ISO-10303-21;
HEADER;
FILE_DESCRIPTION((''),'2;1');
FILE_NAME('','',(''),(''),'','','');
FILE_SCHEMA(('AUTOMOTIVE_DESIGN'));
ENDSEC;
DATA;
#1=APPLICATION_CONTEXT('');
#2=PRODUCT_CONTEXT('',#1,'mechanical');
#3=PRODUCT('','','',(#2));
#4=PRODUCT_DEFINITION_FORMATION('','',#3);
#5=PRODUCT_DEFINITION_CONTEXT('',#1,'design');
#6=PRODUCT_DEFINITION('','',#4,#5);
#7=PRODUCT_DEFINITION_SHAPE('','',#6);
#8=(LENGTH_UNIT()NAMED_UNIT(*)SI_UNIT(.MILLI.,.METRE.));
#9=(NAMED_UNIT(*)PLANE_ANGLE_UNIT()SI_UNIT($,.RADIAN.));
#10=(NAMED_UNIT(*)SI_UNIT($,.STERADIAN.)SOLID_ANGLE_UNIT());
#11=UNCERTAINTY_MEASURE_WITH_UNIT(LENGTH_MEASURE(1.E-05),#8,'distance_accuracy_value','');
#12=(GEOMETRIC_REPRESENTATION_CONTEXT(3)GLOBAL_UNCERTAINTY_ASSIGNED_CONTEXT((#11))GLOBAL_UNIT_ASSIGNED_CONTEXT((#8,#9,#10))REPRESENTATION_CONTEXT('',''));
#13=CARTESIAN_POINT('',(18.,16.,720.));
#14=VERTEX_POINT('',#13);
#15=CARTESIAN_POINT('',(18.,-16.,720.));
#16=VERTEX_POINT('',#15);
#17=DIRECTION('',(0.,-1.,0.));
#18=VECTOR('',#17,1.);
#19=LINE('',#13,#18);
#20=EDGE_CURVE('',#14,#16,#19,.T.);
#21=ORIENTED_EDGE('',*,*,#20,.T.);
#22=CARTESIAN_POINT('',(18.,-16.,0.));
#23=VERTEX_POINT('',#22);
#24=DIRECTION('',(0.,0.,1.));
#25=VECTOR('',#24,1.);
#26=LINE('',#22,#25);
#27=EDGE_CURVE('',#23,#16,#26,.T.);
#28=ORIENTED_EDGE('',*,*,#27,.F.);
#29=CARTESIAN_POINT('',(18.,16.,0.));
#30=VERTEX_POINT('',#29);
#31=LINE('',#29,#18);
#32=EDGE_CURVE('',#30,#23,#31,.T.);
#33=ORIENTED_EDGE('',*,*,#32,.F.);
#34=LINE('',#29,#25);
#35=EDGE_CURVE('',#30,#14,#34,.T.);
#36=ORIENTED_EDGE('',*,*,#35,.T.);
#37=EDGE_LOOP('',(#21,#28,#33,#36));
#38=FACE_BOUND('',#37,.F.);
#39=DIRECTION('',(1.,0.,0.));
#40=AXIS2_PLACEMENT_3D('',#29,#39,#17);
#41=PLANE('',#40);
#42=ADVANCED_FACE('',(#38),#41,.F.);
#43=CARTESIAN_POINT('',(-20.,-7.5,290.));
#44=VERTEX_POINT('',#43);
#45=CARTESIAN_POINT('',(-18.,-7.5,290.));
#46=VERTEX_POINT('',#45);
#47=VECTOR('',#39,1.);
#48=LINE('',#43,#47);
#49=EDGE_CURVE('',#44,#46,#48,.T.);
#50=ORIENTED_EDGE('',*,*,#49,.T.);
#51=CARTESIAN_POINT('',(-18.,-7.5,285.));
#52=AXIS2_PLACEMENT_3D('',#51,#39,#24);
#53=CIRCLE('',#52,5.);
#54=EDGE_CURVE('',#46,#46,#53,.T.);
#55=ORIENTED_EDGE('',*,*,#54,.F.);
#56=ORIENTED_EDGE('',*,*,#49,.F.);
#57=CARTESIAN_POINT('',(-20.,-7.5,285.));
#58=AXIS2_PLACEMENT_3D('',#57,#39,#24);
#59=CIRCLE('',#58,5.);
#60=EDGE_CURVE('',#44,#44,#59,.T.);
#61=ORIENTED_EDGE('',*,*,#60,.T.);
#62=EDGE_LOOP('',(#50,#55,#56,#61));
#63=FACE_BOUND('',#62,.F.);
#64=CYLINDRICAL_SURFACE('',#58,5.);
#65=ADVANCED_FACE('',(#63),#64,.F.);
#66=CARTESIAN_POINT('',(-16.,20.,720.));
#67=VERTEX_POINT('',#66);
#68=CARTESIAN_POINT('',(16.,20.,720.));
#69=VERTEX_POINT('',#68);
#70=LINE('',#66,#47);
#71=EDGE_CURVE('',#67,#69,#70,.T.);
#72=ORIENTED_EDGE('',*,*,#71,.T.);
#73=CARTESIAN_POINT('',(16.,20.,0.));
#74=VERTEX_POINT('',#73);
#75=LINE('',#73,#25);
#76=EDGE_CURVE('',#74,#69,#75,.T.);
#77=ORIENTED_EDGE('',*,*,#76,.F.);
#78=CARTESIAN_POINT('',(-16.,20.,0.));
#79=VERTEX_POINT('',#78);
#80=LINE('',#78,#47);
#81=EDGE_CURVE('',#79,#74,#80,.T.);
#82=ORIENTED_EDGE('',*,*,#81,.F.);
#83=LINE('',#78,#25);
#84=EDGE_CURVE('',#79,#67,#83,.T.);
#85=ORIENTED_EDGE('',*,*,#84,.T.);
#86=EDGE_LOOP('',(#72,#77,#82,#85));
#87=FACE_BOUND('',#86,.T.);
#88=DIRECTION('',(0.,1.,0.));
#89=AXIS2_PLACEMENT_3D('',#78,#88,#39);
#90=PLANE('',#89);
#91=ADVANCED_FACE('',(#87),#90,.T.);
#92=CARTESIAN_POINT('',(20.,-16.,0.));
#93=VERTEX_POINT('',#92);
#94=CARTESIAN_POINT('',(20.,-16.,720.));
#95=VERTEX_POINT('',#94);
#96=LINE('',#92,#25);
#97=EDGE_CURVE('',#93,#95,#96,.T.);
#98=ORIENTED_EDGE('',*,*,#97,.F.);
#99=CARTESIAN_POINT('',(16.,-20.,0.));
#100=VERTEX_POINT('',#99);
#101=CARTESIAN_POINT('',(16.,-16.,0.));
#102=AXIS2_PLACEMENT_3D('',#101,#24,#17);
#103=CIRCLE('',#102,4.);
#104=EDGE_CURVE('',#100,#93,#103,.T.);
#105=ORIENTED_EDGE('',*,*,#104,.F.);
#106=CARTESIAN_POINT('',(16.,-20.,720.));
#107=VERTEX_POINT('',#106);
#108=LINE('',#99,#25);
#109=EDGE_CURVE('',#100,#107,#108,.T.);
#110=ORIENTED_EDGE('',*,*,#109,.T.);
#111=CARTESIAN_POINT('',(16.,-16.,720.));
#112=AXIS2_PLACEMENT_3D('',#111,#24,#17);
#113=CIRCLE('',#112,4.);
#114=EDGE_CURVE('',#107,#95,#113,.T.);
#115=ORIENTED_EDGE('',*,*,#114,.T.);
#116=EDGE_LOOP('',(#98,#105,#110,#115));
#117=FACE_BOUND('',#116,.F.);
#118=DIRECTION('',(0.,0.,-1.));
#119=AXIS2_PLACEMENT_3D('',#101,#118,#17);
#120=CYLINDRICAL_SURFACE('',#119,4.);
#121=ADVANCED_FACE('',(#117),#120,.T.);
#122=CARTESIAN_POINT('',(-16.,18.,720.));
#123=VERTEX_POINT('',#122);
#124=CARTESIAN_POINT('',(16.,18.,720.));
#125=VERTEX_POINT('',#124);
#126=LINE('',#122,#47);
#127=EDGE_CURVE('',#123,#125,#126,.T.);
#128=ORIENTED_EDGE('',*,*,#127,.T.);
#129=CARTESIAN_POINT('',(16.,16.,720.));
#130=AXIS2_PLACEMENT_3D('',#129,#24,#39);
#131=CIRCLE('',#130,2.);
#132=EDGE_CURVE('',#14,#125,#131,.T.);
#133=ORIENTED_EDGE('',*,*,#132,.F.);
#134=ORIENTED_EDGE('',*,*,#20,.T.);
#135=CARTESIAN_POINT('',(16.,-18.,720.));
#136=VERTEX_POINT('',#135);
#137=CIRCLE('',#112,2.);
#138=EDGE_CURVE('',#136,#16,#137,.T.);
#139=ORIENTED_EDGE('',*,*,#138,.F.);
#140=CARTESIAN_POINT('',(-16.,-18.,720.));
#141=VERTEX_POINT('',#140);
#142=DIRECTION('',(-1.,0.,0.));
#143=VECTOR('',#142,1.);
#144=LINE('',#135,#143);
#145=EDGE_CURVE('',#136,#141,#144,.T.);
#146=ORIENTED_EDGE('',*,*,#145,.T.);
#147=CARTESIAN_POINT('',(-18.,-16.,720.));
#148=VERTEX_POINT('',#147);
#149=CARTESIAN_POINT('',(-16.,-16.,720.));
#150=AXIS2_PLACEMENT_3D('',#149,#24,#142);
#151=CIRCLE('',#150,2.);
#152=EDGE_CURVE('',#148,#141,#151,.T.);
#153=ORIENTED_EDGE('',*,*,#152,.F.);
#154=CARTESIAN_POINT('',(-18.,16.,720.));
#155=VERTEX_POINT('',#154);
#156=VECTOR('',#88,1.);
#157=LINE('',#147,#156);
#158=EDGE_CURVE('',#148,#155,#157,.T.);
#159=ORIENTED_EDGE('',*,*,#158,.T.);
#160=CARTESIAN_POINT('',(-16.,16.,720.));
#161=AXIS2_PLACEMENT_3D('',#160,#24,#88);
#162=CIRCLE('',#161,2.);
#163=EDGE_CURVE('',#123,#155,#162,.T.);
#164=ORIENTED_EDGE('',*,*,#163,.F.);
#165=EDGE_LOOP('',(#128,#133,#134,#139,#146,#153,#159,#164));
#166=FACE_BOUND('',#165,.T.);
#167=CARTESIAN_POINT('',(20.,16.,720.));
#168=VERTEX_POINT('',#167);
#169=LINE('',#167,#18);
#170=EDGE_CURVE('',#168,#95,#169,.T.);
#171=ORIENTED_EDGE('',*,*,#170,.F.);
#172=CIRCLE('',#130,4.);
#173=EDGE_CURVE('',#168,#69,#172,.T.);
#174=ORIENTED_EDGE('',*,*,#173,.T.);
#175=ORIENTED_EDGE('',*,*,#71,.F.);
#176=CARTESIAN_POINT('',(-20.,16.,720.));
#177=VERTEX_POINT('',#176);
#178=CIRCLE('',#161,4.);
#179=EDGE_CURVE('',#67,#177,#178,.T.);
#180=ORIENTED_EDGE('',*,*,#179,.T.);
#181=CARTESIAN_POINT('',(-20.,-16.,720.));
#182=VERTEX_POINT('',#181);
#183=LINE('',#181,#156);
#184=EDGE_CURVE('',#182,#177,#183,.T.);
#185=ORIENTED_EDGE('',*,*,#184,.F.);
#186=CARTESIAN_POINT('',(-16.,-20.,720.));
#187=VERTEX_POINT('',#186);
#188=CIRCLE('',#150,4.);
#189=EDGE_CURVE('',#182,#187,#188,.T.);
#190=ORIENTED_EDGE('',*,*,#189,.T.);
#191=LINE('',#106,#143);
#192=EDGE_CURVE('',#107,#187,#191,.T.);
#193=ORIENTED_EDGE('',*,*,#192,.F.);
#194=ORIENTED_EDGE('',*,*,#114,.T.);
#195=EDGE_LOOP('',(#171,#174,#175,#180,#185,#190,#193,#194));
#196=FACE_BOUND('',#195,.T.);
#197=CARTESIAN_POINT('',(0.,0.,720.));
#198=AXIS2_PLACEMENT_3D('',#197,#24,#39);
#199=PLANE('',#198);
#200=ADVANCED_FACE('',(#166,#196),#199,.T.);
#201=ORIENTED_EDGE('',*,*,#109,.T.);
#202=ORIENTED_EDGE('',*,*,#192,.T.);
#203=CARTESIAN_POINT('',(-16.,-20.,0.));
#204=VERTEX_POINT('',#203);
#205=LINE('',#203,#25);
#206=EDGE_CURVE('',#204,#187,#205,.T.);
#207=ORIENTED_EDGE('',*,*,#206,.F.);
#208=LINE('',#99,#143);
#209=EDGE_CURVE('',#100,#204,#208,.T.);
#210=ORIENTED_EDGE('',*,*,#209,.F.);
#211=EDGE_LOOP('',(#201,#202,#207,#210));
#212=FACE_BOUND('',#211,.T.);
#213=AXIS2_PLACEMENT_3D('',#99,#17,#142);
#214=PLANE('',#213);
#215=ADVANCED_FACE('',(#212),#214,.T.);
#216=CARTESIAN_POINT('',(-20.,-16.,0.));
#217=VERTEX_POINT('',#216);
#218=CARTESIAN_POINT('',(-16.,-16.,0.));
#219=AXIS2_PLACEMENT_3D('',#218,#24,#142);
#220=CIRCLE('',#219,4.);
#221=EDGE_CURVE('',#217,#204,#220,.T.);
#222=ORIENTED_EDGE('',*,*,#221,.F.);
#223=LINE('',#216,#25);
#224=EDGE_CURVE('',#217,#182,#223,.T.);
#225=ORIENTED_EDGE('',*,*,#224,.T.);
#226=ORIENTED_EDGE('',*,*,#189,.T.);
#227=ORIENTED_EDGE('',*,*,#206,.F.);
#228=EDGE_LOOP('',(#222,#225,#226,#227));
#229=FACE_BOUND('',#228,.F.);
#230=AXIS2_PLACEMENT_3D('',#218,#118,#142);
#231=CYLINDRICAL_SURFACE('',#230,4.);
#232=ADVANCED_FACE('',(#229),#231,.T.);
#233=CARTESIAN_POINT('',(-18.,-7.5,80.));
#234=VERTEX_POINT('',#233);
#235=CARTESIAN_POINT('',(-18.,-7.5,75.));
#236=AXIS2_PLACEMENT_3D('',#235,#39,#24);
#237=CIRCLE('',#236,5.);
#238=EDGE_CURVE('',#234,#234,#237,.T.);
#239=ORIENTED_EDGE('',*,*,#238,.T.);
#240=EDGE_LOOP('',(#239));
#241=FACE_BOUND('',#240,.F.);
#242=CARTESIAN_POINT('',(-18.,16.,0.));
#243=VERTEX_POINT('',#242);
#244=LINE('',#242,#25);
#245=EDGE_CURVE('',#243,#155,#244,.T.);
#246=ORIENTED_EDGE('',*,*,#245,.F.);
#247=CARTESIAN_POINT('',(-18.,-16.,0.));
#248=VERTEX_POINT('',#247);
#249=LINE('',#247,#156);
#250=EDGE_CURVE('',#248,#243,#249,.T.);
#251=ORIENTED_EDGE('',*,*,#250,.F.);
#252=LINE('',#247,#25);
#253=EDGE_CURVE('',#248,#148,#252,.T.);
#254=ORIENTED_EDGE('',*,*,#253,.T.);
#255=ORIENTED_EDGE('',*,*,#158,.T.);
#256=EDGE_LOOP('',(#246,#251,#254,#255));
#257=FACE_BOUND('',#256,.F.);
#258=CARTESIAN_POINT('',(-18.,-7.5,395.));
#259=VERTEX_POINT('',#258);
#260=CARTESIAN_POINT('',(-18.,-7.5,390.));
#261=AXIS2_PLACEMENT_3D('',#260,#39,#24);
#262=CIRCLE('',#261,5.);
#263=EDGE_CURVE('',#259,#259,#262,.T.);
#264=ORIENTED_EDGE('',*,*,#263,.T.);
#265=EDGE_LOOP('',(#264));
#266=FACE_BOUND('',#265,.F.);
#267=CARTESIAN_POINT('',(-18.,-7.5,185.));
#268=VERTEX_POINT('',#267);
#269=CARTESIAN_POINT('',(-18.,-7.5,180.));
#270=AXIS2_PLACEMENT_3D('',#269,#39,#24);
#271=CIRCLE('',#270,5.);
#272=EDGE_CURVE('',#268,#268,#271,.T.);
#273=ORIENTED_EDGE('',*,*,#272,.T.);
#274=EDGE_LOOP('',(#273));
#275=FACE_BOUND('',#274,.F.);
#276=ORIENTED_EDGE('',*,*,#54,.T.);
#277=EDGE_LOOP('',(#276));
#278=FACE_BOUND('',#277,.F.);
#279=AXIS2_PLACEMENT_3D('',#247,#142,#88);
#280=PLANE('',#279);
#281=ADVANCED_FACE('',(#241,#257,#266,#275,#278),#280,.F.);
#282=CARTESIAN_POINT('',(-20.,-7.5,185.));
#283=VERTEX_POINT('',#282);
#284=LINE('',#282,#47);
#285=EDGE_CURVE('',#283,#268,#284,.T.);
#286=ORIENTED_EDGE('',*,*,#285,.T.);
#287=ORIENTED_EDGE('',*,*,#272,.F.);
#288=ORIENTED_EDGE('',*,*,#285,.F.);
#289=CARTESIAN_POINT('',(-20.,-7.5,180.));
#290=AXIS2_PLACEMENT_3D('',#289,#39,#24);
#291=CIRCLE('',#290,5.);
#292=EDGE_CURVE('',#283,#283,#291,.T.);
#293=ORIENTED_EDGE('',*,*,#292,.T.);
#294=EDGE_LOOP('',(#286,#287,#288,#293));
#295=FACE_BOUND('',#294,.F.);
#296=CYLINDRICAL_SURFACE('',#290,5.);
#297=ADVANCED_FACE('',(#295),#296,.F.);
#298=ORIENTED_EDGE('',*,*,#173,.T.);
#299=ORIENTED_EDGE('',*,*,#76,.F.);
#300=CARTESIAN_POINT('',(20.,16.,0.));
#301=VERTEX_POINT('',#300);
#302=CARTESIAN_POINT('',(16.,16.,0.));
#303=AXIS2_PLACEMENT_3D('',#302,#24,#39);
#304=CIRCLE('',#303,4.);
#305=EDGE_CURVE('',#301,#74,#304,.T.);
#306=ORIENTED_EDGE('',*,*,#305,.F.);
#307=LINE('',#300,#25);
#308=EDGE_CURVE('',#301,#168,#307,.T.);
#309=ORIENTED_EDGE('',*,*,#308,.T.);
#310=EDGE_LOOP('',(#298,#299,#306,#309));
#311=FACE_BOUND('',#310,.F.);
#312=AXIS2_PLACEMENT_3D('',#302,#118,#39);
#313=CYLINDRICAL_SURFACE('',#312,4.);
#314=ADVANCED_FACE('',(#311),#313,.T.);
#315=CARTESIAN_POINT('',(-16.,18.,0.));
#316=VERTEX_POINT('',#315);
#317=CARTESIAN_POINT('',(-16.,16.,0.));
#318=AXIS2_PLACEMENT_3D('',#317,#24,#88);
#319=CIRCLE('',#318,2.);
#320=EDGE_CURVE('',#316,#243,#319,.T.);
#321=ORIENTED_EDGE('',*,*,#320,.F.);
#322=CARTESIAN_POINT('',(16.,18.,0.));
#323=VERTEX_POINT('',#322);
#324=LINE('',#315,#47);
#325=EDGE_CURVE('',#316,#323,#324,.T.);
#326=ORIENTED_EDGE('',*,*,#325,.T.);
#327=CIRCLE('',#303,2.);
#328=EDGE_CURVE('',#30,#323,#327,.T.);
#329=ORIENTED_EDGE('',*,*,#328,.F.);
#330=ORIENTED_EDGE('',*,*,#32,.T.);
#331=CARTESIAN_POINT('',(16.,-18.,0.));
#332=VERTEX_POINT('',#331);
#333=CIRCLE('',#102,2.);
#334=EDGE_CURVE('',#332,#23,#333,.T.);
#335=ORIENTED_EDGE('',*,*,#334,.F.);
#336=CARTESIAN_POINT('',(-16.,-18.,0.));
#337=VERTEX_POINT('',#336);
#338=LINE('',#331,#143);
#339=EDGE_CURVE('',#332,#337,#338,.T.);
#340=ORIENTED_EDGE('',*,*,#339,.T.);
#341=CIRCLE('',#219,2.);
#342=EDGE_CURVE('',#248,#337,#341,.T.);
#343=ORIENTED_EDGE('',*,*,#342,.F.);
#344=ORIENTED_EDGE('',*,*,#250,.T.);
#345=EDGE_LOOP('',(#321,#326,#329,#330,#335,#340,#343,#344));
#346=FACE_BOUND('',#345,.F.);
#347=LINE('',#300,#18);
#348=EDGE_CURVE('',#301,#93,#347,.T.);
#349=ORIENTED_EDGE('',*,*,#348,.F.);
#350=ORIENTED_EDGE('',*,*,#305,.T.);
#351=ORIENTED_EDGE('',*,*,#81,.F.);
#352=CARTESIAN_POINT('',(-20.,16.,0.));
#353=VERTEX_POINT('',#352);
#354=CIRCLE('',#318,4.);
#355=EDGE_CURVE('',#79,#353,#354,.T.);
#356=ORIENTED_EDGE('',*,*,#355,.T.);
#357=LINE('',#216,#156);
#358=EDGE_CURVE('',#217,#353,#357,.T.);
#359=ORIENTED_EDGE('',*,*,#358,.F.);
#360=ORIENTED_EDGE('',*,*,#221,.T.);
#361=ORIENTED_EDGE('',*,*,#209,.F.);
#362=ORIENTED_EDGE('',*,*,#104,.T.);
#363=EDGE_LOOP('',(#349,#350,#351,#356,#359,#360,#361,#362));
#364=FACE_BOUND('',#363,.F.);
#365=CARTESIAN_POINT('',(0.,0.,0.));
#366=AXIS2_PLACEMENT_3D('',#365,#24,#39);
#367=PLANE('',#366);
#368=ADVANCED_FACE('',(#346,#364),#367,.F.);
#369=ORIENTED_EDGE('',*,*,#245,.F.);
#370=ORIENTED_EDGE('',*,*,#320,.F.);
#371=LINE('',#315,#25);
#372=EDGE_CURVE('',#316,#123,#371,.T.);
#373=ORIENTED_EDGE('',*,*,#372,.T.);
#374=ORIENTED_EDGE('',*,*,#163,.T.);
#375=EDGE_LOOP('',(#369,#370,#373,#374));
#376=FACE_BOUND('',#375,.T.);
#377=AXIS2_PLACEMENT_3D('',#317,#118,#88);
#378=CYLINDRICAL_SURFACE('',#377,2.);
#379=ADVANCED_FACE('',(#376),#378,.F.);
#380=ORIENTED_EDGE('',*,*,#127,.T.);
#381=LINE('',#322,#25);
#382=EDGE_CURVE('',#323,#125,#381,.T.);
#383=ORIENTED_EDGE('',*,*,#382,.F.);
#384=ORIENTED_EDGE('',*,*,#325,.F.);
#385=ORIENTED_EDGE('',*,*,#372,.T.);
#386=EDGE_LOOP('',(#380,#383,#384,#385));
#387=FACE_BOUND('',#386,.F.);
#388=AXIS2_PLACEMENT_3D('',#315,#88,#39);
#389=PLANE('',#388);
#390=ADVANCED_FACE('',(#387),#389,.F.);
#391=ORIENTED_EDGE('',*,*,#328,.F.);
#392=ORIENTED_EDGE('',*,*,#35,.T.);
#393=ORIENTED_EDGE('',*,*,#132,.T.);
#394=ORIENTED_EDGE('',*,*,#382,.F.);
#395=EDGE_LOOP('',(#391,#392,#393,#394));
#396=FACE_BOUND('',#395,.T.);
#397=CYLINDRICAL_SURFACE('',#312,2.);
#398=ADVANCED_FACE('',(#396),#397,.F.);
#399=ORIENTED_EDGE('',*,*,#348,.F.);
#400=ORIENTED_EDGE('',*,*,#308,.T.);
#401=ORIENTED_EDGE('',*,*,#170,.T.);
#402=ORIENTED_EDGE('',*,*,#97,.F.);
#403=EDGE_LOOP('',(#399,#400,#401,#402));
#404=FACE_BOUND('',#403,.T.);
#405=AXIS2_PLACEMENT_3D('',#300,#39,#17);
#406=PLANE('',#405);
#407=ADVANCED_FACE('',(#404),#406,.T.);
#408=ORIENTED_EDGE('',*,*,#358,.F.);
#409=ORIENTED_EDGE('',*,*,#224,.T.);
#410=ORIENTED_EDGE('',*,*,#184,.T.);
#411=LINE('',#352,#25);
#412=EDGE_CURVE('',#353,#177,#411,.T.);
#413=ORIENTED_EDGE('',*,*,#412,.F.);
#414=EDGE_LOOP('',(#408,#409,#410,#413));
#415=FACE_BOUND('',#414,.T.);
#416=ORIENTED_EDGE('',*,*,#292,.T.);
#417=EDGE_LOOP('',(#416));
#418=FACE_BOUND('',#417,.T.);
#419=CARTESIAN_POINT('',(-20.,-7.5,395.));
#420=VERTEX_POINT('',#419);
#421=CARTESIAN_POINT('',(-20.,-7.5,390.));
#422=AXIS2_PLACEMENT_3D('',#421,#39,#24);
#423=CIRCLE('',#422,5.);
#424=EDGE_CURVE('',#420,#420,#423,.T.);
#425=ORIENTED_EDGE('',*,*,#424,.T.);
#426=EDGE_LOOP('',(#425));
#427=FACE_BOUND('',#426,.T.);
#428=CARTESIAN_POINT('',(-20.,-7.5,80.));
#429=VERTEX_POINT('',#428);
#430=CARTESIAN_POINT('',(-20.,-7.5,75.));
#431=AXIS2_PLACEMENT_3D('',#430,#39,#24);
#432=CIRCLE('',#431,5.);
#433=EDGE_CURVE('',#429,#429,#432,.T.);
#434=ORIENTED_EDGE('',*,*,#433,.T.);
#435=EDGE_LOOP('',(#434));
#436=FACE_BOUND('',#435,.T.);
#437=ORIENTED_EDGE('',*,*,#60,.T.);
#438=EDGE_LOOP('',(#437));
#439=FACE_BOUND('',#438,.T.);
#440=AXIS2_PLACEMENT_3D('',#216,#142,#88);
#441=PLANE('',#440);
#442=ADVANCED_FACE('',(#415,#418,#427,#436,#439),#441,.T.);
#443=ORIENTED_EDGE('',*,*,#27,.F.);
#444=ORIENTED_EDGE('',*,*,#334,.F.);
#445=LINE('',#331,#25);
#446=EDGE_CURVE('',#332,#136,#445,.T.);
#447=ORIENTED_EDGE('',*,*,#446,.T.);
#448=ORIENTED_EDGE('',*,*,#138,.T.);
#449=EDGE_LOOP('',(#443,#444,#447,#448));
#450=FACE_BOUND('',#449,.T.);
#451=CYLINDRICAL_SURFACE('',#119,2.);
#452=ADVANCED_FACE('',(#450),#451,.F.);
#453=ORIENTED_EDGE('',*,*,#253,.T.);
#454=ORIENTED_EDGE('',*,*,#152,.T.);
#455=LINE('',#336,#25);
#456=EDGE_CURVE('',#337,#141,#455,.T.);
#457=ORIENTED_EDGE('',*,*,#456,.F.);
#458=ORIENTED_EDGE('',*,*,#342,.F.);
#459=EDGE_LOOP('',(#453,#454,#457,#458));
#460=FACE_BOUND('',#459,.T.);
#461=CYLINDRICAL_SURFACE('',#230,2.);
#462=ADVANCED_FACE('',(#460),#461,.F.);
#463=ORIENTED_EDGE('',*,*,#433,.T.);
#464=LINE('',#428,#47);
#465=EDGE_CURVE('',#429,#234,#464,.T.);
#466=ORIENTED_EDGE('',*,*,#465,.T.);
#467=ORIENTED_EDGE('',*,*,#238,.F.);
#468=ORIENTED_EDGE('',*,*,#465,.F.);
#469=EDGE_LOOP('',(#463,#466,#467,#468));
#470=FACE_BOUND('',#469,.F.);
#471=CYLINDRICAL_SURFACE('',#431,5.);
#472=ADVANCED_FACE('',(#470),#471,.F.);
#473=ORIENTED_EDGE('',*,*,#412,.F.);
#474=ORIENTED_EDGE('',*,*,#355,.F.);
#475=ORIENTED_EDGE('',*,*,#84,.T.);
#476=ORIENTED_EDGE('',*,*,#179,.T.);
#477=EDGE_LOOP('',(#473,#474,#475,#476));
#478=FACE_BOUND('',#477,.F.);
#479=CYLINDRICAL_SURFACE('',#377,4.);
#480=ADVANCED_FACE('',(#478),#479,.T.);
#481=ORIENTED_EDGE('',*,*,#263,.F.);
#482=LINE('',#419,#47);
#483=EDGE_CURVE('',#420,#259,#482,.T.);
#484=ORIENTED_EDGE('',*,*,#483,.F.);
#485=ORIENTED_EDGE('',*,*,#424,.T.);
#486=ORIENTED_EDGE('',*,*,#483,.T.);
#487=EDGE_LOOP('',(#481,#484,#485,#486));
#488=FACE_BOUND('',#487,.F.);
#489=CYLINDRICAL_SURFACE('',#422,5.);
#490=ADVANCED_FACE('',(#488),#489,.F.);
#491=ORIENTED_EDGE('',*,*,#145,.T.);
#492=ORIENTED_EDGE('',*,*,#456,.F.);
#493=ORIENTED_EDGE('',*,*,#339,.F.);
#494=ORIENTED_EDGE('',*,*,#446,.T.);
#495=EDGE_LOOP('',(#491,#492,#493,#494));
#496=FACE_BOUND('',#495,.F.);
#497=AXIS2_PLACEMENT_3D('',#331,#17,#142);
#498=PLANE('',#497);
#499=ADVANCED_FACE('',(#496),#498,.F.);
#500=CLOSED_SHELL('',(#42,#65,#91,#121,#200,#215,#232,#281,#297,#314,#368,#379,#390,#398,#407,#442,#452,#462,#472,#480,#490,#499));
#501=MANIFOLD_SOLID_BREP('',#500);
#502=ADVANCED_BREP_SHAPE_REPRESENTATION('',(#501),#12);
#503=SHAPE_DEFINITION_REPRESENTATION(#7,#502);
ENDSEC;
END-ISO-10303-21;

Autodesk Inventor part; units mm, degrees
ref_plane "YZ Plane" through (0, 0, 0) normal (1, 0, 0) x (0, 1, 0)
ref_plane "Piano iniziale" through (0, 0, 0) normal (0, 0, 1) x (1, 0, 0)
ref_plane "Piano finale" through (0, 0, 720) normal (0, 0, 1) x (1, 0, 0)
sketch "Schizzo" plane through (0, 0, 0) normal (0, 0, 1) x (1, 0, 0)
  line L0 (-20, -16) -> (-20, 16)
  line L1 (-16, 20) -> (16, 20)
  line L2 (20, 16) -> (20, -16)
  line L3 (16, -20) -> (-16, -20)
  arc A0 (-20, -16) -> (-16, -20) centre (-16, -16) ccw
  arc A1 (20, 16) -> (16, 20) centre (16, 16) ccw
  arc A2 (-16, 20) -> (-20, 16) centre (-16, 16) ccw
  arc A3 (16, -20) -> (20, -16) centre (16, -16) ccw
  arc A4 (-16, 18) -> (-18, 16) centre (-16, 16) ccw
  line L4 (-16, 18) -> (16, 18)
  arc A5 (18, 16) -> (16, 18) centre (16, 16) ccw
  line L5 (18, 16) -> (18, -16)
  arc A6 (16, -18) -> (18, -16) centre (16, -16) ccw
  line L6 (16, -18) -> (-16, -18)
  arc A7 (-18, -16) -> (-16, -18) centre (-16, -16) ccw
  line L7 (-18, -16) -> (-18, 16)
  line L8 (0, 29.1598) -> (0, -29.1598) construction
  line L9 (-29.1598, 0) -> (29.1598, 0) construction
  dimension "d7" = 4
  dimension "d9" = 40
  dimension "d11" = 40
  dimension "d12" = 2
  dimension "d15" = 20
  dimension "d16" = 20
extrude "Corpo" add sketch "Schizzo" along normal up to surface (720 mm away) from surface at 0
sketch "Sketch3" plane through (0, 0, 0) normal (0, 0, 1) x (1, 0, 0)
  line L0 (0, 0) -> (10, 0)
ref_plane "Work Plane3" through (0, 0, 0) normal (0, -1, 0) x (1, 0, 0)
sketch "Sketch4" plane through (0, 0, 0) normal (0, -1, 0) x (1, 0, 0)
  line L0 (-2, 0) -> (12, 0)
  line L1 (-2, 720) -> (12, 720)
  dimension "d18" = 720
sketch "Schizzo5" plane through (-20, 16, 0) normal (-1, 0, 0) x (0, 0, 1)
  line L0 (0, -36) -> (720, -36) projected
  line L1 (0, -32) -> (0, 0) projected
  point P0 (0, -16)
  point P1 (75, -23.5)
  point P2 (285, -23.5)
  point P3 (390, -23.5)
  point P4 (180, -23.5)
  dimension "d22" = 105
  dimension "d30" = 12.5
  dimension "d31" = 75
  dimension "d32" = 105
  dimension "d33" = 105
hole "Foro1" at (-20, -7.5, 75) at (-20, -7.5, 285) at (-20, -7.5, 390) at (-20, -7.5, 180) direction (1, 0, 0) diameter 10 depth 5 tip angle 118
equation "\"d7\" = G_IR"
equation "\"d9\" = G_W"
equation "\"d11\" = G_H"
equation "\"d12\" = G_T"
equation "\"d15\" = 0.5 * d9"
equation "\"d16\" = 0.5 * d11"
equation "\"d3\" = G_L"
equation "\"G_W\" = 40"
equation "\"G_H\" = 40"
equation "\"G_T\" = 2"
equation "\"G_IR\" = 4"
equation "\"G_L\" = d18"
equation "\"G_OFFSET_START\" = 0"
equation "\"G_OFFSET_END\" = 0"
properties part number "ISO 10799-2 - 40x40x2 - 720" material "Acciaio, Dolce"
